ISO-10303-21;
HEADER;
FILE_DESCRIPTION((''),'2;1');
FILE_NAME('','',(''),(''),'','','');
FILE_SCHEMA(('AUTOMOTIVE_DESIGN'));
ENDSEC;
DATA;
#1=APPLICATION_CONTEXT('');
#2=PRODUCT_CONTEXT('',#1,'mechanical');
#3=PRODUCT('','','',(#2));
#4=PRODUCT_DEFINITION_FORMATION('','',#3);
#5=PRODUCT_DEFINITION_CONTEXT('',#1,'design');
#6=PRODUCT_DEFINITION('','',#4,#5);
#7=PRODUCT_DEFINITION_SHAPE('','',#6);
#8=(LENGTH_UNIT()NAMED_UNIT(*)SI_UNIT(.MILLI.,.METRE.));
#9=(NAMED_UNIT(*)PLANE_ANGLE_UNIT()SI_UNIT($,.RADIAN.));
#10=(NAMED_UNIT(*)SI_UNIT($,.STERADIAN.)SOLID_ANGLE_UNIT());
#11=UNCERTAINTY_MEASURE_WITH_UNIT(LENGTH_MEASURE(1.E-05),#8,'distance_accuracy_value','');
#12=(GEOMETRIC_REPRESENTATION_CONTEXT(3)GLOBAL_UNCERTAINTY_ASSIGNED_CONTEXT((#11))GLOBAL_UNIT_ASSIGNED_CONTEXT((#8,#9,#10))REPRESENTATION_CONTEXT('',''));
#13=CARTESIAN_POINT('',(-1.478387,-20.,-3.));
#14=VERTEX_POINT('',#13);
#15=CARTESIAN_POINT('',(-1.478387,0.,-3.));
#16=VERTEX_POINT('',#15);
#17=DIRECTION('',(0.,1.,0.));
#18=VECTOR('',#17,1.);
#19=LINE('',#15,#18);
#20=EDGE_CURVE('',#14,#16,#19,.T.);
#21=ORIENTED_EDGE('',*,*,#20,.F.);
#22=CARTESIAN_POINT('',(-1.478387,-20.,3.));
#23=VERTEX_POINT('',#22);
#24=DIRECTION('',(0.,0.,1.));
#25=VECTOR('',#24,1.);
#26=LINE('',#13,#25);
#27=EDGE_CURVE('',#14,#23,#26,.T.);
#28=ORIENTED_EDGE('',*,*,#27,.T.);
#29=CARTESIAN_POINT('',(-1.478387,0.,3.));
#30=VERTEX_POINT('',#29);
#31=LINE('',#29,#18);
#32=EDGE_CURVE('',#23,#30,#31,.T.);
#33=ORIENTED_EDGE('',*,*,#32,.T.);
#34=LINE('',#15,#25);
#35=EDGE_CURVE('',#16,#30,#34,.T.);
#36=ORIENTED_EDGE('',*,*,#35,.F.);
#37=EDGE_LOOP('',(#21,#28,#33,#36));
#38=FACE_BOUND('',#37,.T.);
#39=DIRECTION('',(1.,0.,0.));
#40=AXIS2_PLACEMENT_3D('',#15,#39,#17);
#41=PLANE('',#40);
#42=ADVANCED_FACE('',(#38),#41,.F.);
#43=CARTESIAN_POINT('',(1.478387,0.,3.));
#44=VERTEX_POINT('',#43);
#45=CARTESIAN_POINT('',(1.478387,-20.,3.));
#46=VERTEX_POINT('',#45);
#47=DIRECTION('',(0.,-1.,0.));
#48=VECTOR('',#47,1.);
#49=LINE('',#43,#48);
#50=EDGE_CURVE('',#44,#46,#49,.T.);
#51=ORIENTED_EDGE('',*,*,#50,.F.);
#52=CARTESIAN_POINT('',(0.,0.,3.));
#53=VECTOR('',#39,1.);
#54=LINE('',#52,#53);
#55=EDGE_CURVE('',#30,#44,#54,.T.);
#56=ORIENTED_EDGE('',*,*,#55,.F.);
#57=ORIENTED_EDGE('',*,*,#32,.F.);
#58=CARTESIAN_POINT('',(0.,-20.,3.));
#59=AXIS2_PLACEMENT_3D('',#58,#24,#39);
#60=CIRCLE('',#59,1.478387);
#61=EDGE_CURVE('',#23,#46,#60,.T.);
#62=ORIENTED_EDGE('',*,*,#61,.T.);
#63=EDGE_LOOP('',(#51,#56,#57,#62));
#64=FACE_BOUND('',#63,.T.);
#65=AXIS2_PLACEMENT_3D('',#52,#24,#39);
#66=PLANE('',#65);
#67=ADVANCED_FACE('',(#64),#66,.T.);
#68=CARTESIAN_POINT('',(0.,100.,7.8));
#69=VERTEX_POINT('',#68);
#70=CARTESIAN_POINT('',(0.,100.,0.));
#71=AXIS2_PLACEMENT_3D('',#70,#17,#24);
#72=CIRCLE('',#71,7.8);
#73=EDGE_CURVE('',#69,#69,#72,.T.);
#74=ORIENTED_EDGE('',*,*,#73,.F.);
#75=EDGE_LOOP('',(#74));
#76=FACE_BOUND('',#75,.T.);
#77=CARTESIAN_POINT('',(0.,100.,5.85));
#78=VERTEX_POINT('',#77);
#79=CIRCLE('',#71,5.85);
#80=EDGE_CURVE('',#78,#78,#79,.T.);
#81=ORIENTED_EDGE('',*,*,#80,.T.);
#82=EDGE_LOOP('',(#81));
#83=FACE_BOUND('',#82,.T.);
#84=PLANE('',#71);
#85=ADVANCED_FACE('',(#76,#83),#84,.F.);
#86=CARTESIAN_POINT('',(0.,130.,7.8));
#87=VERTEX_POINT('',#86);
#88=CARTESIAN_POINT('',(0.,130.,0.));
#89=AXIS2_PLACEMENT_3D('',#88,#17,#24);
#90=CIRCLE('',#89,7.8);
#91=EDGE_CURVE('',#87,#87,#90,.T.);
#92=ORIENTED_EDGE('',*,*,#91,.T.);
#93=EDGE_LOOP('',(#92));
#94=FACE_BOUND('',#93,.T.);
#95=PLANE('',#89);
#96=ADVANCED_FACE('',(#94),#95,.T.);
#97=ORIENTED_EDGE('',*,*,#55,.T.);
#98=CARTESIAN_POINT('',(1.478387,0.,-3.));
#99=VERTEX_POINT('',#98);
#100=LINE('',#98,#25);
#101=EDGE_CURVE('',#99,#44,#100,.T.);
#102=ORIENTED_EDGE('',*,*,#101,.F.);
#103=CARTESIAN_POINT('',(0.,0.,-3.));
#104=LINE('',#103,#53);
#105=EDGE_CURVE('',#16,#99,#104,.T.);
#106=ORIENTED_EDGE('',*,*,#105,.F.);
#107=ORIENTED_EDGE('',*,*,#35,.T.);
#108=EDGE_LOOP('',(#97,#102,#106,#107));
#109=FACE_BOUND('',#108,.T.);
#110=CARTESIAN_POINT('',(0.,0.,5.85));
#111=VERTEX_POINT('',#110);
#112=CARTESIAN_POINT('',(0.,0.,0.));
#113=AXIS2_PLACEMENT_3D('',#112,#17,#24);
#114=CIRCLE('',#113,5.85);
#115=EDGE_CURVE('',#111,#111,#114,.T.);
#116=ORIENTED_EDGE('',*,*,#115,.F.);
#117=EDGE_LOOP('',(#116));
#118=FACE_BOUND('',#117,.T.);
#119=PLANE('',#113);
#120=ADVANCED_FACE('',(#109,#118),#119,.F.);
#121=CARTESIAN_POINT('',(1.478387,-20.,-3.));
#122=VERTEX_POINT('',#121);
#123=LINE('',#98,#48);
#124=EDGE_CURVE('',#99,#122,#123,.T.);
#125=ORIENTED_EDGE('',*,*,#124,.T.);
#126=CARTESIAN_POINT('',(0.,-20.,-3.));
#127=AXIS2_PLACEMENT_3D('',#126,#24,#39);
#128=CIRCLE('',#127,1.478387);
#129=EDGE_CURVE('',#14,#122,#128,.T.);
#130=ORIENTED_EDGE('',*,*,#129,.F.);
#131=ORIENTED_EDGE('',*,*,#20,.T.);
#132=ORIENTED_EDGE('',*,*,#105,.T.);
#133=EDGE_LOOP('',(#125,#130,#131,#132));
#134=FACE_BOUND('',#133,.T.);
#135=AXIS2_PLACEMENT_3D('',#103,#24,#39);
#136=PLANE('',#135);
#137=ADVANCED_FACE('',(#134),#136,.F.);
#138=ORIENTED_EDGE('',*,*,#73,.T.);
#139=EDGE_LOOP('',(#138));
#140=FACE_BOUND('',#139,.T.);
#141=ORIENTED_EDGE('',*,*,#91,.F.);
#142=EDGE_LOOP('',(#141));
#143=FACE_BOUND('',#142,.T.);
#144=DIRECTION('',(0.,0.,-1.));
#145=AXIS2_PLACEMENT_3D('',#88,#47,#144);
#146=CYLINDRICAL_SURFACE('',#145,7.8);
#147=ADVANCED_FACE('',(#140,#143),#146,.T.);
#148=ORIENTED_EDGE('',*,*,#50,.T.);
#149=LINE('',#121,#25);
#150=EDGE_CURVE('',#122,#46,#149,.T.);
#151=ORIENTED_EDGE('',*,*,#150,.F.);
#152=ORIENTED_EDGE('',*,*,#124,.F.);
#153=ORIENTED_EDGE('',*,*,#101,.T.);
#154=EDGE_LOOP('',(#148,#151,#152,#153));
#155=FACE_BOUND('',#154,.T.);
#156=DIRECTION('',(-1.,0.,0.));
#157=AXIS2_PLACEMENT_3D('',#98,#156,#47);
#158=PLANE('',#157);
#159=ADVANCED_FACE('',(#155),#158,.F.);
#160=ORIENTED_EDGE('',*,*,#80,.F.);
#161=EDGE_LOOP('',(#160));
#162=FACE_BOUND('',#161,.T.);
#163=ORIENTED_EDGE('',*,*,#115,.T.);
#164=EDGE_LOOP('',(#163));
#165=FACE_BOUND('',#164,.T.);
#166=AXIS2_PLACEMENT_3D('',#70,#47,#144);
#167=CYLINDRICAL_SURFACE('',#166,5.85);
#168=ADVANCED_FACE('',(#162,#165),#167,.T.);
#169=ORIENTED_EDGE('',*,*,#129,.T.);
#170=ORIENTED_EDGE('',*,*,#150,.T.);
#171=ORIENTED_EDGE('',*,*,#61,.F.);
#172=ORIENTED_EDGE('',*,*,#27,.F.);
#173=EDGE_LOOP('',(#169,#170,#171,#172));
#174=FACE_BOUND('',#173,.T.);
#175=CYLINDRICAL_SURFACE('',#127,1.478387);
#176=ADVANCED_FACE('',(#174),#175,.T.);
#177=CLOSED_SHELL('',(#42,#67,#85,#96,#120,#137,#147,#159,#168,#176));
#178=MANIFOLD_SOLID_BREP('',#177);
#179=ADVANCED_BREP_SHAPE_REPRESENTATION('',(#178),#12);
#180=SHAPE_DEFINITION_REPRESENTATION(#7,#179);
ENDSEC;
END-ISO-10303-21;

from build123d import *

# Parameters (mm, degrees)
SKETCH1_R                = 5.85
BOSS_EXTRUDE1_DEPTH      = 100
SKETCH2_R                = 7.8
BOSS_EXTRUDE2_DEPTH      = 30
BOSS_EXTRUDE3_DEPTH      = 3
BOSS_EXTRUDE3_DEPTH_BACK = 3


with BuildPart() as part:
    # Sketch1 → Boss-Extrude1 (new body)
    with BuildSketch(Plane(origin=(0, 0, 0), x_dir=(1, 0, 0), z_dir=(0, 1, 0))):
        Circle(SKETCH1_R)
    extrude(amount=BOSS_EXTRUDE1_DEPTH)

    # Sketch2 → Boss-Extrude2 (add)
    with BuildSketch(Plane(origin=(0, 100, 0), x_dir=(1, 0, 0), z_dir=(0, 1, 0))):
        Circle(SKETCH2_R)
    extrude(amount=BOSS_EXTRUDE2_DEPTH)

    # Sketch3 → Boss-Extrude3 (add, two sides: drawn at the far end of the back side and taken through both)
    with BuildSketch(Plane.XY.offset(-BOSS_EXTRUDE3_DEPTH_BACK)):
        with BuildLine():
            Line((1.478387163, -20), (1.478387163, 0))
            Line((1.478387163, 0), (-1.478387163, 0))
            Line((-1.478387163, 0), (-1.478387163, -20))
            ThreePointArc((-1.478387163, -20), (0, -21.478387163), (1.478387163, -20))
        make_face()
    extrude(amount=BOSS_EXTRUDE3_DEPTH + BOSS_EXTRUDE3_DEPTH_BACK)


solid = part.part
